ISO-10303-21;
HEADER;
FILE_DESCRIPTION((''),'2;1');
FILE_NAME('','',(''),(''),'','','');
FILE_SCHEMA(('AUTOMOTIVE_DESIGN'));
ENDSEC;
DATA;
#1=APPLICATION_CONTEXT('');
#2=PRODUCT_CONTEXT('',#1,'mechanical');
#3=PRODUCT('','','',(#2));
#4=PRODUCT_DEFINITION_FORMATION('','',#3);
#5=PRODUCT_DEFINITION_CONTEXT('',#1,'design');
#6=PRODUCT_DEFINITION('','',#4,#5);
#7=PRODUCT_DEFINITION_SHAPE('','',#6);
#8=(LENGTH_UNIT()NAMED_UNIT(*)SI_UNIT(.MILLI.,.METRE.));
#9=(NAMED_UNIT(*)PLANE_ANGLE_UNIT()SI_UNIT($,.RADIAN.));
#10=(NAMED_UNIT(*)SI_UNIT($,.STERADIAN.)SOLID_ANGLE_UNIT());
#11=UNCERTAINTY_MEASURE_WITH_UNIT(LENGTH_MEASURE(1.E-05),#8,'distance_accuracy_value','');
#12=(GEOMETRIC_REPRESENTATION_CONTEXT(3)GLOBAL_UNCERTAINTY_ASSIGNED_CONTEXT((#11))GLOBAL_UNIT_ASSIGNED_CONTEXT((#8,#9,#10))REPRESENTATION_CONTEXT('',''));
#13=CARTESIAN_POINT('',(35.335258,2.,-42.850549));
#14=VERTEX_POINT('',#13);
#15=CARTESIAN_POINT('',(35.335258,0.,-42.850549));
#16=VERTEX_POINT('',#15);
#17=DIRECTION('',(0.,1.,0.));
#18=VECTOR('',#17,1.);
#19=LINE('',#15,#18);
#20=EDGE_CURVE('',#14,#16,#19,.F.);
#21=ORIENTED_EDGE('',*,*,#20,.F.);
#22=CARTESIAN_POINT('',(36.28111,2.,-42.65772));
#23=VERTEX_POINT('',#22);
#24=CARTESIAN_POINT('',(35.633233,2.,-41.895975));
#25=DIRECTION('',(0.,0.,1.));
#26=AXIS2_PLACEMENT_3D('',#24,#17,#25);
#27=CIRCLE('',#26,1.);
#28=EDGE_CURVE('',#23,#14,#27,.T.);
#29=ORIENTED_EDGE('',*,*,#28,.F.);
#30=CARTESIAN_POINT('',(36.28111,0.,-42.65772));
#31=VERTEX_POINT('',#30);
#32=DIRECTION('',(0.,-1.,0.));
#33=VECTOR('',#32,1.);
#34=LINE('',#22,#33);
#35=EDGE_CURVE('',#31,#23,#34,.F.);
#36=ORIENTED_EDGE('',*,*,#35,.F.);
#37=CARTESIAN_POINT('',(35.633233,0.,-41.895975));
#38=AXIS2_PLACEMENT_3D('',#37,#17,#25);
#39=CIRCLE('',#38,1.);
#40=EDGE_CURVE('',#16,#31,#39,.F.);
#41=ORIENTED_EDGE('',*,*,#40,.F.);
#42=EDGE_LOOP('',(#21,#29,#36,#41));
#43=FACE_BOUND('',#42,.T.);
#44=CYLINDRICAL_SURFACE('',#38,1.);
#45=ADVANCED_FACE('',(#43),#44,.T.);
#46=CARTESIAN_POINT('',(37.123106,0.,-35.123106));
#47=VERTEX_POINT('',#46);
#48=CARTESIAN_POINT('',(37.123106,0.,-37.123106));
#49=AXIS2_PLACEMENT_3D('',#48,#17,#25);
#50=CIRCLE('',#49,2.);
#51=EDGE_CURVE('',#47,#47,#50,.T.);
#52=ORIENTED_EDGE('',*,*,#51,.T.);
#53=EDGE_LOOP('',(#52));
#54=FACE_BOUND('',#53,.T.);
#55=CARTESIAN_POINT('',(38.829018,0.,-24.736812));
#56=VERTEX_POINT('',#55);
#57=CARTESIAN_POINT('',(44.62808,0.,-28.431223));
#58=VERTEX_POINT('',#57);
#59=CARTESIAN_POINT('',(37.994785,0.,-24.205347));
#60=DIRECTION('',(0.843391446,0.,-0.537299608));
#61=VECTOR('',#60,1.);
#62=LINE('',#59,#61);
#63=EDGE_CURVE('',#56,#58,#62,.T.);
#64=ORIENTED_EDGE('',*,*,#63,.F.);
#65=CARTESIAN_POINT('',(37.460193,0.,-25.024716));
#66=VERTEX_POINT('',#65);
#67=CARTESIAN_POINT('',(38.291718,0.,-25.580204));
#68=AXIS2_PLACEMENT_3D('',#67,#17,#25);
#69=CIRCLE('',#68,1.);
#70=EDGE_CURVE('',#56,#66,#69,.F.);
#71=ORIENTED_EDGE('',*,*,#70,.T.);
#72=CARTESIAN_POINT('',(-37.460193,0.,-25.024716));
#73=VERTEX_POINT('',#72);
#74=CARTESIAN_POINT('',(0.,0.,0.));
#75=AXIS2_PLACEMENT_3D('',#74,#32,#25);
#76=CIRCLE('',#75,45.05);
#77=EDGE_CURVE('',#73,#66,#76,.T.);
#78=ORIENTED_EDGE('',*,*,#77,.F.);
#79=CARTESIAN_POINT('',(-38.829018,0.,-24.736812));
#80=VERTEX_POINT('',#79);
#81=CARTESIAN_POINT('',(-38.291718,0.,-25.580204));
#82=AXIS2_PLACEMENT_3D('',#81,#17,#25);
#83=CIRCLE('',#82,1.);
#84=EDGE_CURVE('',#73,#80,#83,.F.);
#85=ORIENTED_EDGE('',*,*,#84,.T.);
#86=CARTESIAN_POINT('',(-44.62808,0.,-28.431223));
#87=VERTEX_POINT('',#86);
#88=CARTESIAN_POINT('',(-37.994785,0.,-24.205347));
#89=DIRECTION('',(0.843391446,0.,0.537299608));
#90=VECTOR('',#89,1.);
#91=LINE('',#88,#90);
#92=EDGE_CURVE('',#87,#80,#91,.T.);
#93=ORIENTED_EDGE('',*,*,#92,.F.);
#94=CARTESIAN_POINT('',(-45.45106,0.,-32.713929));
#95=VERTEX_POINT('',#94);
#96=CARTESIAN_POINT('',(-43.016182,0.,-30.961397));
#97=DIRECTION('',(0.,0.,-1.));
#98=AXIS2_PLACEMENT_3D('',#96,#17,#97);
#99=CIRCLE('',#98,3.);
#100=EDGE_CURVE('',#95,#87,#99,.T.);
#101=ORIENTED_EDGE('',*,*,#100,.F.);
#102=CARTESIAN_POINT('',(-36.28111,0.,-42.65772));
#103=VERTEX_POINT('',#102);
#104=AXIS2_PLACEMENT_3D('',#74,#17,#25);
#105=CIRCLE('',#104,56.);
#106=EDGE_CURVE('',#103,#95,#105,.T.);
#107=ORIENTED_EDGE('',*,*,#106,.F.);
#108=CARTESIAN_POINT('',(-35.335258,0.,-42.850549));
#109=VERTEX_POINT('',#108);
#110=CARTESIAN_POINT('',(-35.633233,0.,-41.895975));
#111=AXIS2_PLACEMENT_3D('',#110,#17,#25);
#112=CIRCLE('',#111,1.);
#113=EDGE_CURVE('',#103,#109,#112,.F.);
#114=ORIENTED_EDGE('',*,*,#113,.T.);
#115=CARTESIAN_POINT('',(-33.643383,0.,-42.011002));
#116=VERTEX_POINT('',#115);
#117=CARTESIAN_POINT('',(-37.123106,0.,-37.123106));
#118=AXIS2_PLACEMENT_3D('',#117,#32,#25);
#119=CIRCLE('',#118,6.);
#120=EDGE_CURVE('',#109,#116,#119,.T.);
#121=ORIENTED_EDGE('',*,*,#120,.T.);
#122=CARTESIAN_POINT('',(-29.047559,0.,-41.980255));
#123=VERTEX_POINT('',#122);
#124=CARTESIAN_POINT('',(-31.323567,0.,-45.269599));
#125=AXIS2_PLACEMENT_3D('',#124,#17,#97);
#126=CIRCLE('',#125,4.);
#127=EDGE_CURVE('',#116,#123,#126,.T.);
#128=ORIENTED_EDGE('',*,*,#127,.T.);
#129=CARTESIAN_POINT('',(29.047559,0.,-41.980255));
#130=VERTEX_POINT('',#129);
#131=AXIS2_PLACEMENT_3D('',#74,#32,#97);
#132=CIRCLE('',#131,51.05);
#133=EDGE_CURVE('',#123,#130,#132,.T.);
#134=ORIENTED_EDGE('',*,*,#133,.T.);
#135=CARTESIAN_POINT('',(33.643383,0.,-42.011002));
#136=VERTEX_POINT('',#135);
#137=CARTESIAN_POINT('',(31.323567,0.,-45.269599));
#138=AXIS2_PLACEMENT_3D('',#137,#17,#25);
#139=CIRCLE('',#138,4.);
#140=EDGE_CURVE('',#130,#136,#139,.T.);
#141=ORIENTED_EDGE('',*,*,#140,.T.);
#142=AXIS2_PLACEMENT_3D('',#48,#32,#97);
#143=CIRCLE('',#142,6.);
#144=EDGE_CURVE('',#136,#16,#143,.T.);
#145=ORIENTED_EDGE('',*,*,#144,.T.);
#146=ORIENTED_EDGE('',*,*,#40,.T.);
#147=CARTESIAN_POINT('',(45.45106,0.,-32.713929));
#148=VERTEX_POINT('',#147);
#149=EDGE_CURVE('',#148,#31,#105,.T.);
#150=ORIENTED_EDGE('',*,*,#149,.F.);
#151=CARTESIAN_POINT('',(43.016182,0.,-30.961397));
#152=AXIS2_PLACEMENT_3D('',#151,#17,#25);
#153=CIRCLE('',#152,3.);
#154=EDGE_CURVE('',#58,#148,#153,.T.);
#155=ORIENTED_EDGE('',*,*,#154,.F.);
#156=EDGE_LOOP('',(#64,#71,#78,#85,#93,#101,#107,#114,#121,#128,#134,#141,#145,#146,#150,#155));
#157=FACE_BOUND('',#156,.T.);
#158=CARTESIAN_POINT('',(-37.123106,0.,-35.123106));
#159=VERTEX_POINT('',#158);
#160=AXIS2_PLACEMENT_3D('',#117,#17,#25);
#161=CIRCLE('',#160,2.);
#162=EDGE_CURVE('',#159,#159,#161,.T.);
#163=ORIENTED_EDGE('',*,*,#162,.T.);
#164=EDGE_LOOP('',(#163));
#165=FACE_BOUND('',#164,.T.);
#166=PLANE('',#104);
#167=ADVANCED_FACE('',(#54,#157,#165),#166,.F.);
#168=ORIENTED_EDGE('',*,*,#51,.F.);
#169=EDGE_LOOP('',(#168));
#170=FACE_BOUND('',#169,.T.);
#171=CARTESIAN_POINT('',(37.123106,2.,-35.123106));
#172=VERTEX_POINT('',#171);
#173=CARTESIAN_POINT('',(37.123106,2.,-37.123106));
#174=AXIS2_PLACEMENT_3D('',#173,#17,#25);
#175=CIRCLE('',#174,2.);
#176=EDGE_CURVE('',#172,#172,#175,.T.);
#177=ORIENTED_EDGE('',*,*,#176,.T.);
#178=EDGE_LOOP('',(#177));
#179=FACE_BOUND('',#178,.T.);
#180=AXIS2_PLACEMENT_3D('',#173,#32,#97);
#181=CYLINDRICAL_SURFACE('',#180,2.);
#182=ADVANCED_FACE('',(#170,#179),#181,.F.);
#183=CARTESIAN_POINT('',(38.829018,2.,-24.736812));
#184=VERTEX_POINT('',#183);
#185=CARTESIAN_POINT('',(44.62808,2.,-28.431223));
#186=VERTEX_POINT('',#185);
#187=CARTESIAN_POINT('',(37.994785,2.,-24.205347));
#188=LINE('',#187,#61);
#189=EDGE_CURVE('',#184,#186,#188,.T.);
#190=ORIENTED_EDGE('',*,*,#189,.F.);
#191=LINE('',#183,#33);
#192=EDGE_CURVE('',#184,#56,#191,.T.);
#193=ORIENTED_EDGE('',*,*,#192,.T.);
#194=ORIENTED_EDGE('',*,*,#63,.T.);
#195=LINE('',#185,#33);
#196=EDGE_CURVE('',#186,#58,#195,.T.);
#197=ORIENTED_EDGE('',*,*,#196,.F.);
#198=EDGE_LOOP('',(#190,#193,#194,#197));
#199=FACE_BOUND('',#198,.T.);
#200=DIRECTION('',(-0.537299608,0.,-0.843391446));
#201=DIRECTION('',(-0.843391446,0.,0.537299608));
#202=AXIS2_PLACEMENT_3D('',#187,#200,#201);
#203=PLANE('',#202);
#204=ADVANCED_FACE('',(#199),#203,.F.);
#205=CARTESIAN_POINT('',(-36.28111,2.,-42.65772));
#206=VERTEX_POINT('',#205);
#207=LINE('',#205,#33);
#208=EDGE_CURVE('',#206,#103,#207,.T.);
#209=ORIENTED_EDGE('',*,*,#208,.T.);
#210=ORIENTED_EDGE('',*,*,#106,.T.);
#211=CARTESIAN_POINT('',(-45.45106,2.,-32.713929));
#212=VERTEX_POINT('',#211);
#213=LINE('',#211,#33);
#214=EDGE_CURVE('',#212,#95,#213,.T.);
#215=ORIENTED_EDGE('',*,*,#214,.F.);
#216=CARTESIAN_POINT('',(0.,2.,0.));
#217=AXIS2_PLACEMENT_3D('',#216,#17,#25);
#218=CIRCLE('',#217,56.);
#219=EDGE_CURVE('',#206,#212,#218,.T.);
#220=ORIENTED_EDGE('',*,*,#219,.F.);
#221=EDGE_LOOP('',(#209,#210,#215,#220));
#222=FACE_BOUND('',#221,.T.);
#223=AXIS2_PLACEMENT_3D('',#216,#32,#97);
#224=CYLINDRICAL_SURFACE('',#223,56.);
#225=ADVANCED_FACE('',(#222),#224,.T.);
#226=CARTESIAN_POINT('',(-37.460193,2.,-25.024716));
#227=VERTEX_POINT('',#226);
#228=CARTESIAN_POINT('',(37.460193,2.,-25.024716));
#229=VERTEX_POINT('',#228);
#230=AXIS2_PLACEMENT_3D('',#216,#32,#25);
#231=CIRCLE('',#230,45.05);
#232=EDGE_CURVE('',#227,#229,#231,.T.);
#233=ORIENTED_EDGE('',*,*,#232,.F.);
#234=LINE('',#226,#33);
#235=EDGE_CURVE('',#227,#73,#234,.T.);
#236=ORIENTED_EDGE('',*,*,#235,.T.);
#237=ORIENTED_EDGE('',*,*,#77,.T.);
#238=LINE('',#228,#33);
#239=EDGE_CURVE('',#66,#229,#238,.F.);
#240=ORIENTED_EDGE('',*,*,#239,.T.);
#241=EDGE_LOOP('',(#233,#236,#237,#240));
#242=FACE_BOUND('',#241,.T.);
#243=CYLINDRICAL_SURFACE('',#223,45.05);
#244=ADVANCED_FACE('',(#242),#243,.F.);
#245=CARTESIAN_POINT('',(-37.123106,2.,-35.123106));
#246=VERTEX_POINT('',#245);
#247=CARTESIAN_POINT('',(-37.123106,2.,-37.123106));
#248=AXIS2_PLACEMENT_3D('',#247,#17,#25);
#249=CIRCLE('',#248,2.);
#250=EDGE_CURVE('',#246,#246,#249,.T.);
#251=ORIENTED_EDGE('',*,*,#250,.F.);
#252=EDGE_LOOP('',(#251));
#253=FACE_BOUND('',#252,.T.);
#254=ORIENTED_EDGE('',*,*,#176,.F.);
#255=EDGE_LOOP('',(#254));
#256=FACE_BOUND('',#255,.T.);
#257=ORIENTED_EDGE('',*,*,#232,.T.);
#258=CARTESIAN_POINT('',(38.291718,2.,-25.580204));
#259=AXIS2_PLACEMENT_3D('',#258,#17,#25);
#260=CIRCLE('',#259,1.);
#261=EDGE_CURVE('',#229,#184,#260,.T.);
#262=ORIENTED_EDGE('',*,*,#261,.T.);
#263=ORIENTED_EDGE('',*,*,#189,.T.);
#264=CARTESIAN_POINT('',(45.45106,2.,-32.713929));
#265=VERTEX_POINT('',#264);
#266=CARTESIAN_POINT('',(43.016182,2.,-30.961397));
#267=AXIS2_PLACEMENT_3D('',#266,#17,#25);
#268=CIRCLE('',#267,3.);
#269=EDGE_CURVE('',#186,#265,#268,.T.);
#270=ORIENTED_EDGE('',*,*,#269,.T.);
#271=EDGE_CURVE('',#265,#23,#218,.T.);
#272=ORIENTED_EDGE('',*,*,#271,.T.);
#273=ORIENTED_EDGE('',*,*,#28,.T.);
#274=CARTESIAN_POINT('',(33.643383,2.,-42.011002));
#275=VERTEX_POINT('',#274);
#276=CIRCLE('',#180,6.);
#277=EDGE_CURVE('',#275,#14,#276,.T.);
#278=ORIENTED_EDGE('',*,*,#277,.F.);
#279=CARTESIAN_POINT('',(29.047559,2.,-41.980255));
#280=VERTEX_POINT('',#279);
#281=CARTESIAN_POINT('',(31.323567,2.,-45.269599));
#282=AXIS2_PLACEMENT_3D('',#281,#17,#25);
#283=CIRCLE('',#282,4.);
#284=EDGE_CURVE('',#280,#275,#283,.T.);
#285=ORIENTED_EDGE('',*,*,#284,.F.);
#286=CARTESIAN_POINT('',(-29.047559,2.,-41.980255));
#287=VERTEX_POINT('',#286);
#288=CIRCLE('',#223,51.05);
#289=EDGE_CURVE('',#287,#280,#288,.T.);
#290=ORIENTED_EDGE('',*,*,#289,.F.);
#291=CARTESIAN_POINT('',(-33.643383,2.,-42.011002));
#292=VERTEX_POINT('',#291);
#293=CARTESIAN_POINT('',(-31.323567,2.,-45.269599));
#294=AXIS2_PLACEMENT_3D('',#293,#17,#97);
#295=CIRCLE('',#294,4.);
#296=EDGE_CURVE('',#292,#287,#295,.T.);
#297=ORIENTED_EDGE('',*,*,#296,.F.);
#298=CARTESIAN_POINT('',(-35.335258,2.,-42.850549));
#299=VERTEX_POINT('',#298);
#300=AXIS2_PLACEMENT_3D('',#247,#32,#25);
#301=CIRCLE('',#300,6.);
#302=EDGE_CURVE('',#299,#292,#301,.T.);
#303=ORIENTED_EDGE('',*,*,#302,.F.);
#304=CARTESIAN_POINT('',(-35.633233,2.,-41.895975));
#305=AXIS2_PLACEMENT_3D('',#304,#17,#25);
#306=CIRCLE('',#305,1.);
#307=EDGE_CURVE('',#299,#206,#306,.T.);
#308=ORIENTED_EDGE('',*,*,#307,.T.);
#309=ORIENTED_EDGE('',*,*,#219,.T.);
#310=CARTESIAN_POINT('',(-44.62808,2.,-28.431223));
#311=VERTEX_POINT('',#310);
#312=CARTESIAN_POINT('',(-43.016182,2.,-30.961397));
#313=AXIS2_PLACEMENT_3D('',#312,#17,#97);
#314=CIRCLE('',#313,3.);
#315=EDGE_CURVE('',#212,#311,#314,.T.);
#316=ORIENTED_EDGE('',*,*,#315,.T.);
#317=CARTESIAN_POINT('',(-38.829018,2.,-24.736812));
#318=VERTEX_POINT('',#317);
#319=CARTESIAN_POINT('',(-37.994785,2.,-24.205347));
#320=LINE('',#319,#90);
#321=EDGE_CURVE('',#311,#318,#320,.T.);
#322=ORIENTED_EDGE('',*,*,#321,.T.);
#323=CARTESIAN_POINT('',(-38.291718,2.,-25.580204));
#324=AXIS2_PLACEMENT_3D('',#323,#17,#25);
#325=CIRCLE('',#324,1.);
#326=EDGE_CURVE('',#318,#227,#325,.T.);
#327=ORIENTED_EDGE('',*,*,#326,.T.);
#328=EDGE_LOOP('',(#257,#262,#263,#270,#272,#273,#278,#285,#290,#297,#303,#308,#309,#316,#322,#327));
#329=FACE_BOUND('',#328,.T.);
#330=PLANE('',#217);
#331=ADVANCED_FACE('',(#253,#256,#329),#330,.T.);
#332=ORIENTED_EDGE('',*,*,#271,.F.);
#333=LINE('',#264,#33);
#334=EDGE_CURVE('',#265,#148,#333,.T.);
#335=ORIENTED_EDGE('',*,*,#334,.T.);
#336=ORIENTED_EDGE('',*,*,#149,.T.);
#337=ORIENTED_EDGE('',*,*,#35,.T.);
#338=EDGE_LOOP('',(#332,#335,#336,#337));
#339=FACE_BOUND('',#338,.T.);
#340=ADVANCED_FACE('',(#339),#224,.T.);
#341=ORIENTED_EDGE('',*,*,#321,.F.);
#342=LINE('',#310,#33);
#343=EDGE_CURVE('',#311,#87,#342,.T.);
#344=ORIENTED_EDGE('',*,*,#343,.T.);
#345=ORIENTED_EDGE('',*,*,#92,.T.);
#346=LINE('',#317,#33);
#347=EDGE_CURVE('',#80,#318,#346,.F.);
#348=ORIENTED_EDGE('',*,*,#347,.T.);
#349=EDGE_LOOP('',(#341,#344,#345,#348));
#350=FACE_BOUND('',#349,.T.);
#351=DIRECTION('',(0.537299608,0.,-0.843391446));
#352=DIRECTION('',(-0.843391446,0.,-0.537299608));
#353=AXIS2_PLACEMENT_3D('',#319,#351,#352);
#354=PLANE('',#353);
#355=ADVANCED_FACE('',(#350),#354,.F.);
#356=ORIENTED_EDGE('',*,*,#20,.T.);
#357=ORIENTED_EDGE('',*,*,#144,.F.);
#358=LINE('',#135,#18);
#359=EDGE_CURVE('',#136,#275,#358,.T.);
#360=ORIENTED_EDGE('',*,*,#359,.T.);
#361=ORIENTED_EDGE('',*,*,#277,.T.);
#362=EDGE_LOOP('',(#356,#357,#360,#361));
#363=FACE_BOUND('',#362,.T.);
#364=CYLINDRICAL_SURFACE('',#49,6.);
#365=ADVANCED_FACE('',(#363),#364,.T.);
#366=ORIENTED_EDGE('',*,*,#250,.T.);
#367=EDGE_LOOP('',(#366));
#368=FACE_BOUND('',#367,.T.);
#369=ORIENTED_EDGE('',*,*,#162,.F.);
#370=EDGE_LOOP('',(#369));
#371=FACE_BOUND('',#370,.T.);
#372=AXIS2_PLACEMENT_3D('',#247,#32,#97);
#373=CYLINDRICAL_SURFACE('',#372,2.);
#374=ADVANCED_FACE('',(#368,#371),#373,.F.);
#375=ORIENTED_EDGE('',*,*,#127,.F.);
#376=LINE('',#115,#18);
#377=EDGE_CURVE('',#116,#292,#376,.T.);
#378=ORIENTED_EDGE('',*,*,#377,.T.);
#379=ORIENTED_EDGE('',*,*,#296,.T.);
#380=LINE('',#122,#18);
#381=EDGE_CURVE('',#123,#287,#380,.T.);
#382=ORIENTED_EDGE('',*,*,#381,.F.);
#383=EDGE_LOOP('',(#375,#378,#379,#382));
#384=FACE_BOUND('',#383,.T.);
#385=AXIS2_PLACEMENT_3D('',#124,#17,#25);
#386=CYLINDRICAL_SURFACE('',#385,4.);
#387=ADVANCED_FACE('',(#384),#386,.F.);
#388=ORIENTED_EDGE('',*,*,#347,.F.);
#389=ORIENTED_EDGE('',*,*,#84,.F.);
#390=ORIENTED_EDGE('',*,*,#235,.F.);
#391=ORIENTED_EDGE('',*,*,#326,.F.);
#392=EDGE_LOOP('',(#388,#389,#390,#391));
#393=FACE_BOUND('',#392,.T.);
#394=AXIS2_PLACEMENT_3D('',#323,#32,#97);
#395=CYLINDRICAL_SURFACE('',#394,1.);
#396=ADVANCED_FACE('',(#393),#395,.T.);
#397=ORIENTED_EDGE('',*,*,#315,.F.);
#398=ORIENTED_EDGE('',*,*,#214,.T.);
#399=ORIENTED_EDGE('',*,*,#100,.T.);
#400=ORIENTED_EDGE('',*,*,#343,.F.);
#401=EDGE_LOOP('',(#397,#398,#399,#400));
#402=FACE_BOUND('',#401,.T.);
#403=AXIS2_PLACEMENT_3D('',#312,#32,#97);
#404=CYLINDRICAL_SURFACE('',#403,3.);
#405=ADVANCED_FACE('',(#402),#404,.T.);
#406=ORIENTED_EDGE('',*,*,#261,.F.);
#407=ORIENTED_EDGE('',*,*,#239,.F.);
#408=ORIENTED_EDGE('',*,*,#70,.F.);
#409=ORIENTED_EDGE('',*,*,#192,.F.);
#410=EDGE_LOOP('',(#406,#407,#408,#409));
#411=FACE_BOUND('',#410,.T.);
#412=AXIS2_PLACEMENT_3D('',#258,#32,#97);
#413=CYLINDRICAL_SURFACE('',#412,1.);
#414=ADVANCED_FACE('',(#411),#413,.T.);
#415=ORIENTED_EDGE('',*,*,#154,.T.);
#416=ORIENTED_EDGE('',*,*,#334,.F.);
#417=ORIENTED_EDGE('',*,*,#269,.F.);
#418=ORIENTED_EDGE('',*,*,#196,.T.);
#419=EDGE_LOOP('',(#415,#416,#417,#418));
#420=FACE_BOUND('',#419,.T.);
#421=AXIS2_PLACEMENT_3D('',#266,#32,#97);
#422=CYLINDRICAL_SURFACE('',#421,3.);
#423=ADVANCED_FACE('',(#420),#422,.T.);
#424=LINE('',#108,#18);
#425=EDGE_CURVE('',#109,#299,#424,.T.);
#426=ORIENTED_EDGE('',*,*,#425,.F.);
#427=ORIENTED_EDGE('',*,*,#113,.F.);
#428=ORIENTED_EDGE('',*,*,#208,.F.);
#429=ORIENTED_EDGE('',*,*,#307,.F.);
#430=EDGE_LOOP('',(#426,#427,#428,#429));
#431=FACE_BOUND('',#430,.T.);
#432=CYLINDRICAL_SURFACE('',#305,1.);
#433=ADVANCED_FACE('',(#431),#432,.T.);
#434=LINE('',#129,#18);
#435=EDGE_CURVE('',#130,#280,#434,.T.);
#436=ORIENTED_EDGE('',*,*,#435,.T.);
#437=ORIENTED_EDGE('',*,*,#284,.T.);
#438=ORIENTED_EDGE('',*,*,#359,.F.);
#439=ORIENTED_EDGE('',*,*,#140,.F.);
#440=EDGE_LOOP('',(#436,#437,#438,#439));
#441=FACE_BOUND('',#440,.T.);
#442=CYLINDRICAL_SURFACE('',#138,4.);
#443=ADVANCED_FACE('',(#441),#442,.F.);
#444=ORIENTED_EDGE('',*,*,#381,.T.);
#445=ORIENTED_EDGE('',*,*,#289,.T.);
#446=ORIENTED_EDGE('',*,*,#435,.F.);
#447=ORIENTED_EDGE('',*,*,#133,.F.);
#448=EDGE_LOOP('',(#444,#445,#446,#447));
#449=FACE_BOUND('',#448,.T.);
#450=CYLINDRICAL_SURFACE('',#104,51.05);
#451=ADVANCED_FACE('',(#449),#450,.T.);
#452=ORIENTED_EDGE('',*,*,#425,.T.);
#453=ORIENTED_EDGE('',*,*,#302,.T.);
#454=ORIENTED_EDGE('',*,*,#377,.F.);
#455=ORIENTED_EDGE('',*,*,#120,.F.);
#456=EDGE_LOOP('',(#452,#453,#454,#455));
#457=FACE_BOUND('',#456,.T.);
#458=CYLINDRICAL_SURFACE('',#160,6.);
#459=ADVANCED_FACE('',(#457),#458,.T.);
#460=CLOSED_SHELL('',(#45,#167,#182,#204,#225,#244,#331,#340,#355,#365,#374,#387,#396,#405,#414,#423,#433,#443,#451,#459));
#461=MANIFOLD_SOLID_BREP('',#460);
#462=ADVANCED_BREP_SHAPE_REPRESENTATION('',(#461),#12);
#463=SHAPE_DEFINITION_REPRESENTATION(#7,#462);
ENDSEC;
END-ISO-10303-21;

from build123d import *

# Parameters (mm, degrees)
SKETCH_1_R          = 2
EXTRUDE_1_DEPTH     = 2
CUT_EXTRUDE_1_DEPTH = 73.508544139
FILLET_1_R          = 1


with BuildPart() as part:
    # 草图1 → 凸台-拉伸1 (new body)
    with BuildSketch(Plane(origin=(0, 0, 0), x_dir=(1, 0, 0), z_dir=(0, 1, 0))):
        with BuildLine():
            Line((-37.994784634, 24.205347356), (-44.62808047, 28.431222864))
            ThreePointArc((-44.62808047, 28.431222864), (-45.962279794, 30.395264974), (-45.451059851, 32.713929119))
            ThreePointArc((-45.451059851, 32.713929119), (0, 56), (45.451059851, 32.713929119))
            ThreePointArc((45.451059851, 32.713929119), (45.962279794, 30.395264974), (44.62808047, 28.431222864))
            Line((44.62808047, 28.431222864), (37.994784634, 24.205347356))
            ThreePointArc((37.994784634, 24.205347356), (0, 45.05), (-37.994784634, 24.205347356))
        make_face()
        with Locations(Location((37.123106012, 37.123106012, 0), (0, 0, 270))):
            Circle(SKETCH_1_R, mode=Mode.SUBTRACT)
        with Locations(Location((-37.123106012, 37.123106012, 0), (0, 0, 270))):
            Circle(SKETCH_1_R, mode=Mode.SUBTRACT)
    extrude(amount=EXTRUDE_1_DEPTH)

    # 草图2 → 切除-拉伸1 (cut, through all)
    with BuildSketch(Plane(origin=(0, 2, 0), x_dir=(1, 0, 0), z_dir=(0, 1, 0))):
        with BuildLine():
            ThreePointArc((-29.047558943, 41.980255114), (0, 51.05), (29.047558943, 41.980255114))
            ThreePointArc((29.047558943, 41.980255114), (31.350327582, 41.269688809), (33.643382893, 42.011001982))
            ThreePointArc((33.643382893, 42.011001982), (34.712414977, 42.617518513), (35.882608489, 42.993469365))
            ThreePointArc((35.882608489, 42.993469365), (0, 56), (-35.882608489, 42.993469365))
            ThreePointArc((-35.882608489, 42.993469365), (-34.712414977, 42.617518513), (-33.643382893, 42.011001982))
            ThreePointArc((-33.643382893, 42.011001982), (-31.350327582, 41.269688809), (-29.047558943, 41.980255114))
        make_face()
    extrude(amount=-CUT_EXTRUDE_1_DEPTH, mode=Mode.SUBTRACT)

    # 圆角1
    fillet_1_edges = [part.edges().sort_by_distance(p)[0] for p in [
        (-37.994784634, 1, -24.205347356),
        (37.994784634, 1, -24.205347356),
        (-35.882608489, 1, -42.993469365),
        (35.882608489, 1, -42.993469365),
    ]]
    fillet(fillet_1_edges, radius=FILLET_1_R)


solid = part.part
